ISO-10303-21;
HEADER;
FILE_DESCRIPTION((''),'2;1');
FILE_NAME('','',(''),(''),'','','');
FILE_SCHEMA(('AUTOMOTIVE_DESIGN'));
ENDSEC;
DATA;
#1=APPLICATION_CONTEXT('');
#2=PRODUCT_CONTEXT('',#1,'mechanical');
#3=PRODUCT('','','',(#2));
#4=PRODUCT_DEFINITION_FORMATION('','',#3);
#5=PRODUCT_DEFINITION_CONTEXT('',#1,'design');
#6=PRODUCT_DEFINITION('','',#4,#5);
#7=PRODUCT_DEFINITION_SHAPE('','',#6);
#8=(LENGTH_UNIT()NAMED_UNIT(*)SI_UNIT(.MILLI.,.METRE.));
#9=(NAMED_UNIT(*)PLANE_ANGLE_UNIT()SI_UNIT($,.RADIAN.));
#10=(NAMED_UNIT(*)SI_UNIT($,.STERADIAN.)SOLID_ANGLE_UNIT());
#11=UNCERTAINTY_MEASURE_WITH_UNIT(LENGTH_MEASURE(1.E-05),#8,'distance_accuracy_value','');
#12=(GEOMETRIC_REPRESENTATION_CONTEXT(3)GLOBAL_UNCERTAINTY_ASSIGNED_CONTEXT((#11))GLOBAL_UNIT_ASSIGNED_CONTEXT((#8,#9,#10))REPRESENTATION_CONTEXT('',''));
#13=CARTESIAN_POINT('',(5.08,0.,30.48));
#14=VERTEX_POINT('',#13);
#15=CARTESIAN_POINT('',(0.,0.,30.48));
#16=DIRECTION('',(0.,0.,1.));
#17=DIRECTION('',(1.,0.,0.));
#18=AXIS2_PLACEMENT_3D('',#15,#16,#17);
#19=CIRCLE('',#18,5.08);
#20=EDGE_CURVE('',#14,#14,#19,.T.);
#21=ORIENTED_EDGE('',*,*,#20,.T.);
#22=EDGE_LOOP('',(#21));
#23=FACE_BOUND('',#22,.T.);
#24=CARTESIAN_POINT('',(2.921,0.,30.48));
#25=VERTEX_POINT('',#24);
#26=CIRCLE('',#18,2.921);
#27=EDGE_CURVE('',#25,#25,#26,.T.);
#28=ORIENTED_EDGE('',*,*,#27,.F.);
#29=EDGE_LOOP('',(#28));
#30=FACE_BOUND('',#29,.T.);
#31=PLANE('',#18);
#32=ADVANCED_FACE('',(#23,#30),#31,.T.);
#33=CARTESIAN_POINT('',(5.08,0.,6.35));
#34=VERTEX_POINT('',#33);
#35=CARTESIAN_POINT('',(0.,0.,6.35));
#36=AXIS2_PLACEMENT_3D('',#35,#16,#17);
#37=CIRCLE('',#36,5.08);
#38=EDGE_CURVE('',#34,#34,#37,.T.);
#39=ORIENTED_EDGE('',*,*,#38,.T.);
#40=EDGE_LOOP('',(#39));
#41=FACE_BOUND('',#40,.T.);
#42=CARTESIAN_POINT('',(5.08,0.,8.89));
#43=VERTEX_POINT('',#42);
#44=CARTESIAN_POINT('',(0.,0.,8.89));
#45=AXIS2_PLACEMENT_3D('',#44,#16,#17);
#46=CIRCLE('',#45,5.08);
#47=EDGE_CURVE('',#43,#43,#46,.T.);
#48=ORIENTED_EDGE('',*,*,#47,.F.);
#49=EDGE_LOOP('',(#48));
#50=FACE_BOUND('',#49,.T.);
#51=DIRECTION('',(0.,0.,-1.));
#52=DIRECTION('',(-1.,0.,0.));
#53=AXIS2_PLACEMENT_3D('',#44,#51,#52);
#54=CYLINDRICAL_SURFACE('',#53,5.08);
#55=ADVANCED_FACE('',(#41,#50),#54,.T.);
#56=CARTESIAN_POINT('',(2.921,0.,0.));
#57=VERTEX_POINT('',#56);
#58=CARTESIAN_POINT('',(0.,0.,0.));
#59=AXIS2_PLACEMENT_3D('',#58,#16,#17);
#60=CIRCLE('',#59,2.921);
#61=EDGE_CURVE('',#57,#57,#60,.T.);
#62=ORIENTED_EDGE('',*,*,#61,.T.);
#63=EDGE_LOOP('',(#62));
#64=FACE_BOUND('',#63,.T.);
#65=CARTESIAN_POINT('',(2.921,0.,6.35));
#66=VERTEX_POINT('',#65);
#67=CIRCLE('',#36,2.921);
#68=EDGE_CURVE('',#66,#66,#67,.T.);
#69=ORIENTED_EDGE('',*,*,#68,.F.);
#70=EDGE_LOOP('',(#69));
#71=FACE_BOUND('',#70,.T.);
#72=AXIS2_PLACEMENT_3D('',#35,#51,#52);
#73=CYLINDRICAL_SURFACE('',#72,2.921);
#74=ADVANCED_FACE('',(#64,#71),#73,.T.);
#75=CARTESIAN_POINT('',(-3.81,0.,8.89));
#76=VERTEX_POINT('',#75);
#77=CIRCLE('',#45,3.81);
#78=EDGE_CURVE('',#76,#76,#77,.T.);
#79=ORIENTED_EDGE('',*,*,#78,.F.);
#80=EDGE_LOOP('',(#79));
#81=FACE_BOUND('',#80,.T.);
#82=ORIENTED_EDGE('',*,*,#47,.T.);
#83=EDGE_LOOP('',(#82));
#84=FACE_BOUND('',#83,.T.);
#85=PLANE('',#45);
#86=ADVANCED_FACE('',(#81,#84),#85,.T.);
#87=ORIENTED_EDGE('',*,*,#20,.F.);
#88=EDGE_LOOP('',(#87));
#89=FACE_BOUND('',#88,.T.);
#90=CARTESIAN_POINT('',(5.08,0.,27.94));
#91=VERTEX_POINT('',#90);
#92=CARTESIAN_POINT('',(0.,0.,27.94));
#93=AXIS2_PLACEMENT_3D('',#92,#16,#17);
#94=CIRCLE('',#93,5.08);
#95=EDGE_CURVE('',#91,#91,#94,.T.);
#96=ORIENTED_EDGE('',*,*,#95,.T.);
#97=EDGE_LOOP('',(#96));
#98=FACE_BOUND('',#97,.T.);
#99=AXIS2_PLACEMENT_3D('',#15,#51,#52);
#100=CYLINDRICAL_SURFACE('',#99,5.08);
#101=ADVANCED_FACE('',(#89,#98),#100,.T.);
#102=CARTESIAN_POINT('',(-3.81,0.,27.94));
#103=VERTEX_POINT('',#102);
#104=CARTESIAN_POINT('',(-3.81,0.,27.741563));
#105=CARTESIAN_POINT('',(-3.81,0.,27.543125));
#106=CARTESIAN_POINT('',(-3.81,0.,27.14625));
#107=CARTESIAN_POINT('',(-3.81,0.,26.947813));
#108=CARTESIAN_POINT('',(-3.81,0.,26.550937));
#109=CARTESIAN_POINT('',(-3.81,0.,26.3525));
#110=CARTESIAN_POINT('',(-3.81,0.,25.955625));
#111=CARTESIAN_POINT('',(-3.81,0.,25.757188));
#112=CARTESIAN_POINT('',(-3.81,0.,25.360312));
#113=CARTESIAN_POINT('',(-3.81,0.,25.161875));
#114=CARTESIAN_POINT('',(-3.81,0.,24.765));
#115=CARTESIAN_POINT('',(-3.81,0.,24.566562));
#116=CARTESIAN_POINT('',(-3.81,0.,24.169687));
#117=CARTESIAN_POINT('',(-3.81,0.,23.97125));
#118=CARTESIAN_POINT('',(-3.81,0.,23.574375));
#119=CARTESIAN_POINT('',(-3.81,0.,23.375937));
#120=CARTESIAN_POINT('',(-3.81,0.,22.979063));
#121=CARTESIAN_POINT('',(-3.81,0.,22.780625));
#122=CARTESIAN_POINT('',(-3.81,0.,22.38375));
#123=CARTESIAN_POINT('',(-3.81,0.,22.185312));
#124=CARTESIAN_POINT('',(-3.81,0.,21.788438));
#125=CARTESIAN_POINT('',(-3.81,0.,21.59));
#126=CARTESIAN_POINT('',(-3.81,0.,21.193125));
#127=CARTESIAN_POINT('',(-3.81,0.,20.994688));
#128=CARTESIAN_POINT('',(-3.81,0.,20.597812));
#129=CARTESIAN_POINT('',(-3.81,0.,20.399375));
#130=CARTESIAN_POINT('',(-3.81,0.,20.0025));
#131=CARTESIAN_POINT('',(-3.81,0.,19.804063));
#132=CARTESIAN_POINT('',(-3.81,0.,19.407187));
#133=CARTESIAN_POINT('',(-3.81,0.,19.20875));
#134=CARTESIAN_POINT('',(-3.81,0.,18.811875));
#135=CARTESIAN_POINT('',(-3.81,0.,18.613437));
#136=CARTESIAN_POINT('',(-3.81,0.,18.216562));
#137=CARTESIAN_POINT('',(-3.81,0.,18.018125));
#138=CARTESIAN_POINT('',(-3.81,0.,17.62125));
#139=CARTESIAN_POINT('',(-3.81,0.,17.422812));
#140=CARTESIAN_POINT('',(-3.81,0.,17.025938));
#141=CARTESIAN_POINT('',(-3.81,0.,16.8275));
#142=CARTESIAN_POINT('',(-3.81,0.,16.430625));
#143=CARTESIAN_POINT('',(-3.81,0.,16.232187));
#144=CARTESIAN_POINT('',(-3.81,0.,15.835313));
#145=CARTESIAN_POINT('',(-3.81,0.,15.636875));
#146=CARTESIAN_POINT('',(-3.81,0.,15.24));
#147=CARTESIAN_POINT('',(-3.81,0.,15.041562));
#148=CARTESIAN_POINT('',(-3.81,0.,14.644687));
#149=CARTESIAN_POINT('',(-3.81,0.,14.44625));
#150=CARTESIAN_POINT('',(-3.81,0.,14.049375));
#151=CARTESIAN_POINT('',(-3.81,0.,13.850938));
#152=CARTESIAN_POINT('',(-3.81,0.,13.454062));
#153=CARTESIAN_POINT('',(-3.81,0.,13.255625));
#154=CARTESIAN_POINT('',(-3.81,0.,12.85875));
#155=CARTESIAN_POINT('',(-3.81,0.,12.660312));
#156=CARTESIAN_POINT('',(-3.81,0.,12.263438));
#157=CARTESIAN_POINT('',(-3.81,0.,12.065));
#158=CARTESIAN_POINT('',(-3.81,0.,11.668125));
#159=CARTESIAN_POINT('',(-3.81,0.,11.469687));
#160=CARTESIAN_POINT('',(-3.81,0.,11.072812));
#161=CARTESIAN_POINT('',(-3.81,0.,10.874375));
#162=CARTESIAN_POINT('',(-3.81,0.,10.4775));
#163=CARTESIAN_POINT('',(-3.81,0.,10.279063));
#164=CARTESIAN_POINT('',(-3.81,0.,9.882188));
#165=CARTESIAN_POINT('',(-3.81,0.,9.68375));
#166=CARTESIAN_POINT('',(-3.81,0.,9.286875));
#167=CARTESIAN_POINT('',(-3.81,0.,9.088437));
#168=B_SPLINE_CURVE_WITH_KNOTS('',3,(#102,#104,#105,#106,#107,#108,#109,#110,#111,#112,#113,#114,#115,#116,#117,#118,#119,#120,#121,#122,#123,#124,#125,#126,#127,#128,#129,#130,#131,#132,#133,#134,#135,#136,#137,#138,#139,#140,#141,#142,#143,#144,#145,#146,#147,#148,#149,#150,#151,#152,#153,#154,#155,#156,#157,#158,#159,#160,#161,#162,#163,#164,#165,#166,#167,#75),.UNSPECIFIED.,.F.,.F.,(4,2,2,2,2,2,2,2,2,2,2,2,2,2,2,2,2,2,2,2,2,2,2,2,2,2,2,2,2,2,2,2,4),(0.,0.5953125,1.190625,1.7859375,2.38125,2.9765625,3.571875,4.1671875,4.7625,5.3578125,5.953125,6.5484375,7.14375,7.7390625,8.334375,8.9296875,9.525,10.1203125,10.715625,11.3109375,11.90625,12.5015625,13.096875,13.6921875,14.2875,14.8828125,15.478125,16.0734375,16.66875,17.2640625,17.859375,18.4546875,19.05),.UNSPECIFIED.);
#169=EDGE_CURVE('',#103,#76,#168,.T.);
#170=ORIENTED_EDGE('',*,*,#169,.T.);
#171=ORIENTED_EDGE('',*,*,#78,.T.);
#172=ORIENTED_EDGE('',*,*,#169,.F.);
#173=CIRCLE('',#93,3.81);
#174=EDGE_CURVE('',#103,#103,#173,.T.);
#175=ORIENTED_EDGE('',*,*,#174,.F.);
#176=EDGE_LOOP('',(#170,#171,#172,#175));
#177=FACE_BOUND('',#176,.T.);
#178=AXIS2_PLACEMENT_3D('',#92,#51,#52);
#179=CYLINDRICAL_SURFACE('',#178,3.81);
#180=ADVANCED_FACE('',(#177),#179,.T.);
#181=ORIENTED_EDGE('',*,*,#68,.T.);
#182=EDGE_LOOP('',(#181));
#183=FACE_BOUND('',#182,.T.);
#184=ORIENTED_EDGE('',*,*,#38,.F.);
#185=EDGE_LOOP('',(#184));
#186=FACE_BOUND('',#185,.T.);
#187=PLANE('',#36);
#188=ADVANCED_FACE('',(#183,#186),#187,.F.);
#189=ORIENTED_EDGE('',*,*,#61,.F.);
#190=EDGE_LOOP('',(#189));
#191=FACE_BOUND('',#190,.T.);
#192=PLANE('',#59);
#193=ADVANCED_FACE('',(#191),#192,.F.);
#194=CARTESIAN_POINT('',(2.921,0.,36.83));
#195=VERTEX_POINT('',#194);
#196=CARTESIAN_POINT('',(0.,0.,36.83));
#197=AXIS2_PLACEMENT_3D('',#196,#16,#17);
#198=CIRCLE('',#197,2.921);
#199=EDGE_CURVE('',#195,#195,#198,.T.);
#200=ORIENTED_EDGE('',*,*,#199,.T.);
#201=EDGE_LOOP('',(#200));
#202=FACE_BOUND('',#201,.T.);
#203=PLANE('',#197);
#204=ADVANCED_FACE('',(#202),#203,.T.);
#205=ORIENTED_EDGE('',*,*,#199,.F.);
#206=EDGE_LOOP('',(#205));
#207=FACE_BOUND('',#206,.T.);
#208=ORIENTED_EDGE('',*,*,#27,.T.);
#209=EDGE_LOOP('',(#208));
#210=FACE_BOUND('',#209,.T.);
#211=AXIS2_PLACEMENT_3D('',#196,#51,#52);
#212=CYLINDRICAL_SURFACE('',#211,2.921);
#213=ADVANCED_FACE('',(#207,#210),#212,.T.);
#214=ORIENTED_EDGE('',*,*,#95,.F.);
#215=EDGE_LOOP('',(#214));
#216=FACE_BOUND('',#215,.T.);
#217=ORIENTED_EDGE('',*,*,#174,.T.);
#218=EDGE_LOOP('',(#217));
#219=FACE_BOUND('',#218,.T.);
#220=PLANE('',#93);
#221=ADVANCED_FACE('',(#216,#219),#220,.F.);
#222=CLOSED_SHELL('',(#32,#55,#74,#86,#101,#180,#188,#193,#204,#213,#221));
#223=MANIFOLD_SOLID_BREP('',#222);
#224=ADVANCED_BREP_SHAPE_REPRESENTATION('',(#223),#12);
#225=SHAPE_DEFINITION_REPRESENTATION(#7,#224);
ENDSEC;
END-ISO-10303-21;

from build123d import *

# Parameters (mm, degrees)
SKETCH1_R           = 2.921
BOSS_EXTRUDE1_DEPTH = 6.35
SKETCH2_R           = 5.08
BOSS_EXTRUDE2_DEPTH = 2.54
SKETCH3_R           = 3.81
BOSS_EXTRUDE3_DEPTH = 19.05
SKETCH4_R           = 5.08
BOSS_EXTRUDE4_DEPTH = 2.54
SKETCH5_R           = 2.921
BOSS_EXTRUDE5_DEPTH = 6.35


with BuildPart() as part:
    # Sketch1 → Boss-Extrude1 (new body)
    with BuildSketch(Plane.XY):
        Circle(SKETCH1_R)
    extrude(amount=BOSS_EXTRUDE1_DEPTH)

    # Sketch2 → Boss-Extrude2 (add)
    with BuildSketch(Plane.XY.offset(6.35)):
        Circle(SKETCH2_R)
    extrude(amount=BOSS_EXTRUDE2_DEPTH)

    # Sketch3 → Boss-Extrude3 (add)
    with BuildSketch(Plane.XY.offset(8.89)):
        with Locations(Location((0, 0, 0), (0, 0, 180))):
            Circle(SKETCH3_R)
    extrude(amount=BOSS_EXTRUDE3_DEPTH)

    # Sketch4 → Boss-Extrude4 (add)
    with BuildSketch(Plane.XY.offset(27.94)):
        Circle(SKETCH4_R)
    extrude(amount=BOSS_EXTRUDE4_DEPTH)

    # Sketch5 → Boss-Extrude5 (add)
    with BuildSketch(Plane.XY.offset(30.48)):
        Circle(SKETCH5_R)
    extrude(amount=BOSS_EXTRUDE5_DEPTH)


solid = part.part
